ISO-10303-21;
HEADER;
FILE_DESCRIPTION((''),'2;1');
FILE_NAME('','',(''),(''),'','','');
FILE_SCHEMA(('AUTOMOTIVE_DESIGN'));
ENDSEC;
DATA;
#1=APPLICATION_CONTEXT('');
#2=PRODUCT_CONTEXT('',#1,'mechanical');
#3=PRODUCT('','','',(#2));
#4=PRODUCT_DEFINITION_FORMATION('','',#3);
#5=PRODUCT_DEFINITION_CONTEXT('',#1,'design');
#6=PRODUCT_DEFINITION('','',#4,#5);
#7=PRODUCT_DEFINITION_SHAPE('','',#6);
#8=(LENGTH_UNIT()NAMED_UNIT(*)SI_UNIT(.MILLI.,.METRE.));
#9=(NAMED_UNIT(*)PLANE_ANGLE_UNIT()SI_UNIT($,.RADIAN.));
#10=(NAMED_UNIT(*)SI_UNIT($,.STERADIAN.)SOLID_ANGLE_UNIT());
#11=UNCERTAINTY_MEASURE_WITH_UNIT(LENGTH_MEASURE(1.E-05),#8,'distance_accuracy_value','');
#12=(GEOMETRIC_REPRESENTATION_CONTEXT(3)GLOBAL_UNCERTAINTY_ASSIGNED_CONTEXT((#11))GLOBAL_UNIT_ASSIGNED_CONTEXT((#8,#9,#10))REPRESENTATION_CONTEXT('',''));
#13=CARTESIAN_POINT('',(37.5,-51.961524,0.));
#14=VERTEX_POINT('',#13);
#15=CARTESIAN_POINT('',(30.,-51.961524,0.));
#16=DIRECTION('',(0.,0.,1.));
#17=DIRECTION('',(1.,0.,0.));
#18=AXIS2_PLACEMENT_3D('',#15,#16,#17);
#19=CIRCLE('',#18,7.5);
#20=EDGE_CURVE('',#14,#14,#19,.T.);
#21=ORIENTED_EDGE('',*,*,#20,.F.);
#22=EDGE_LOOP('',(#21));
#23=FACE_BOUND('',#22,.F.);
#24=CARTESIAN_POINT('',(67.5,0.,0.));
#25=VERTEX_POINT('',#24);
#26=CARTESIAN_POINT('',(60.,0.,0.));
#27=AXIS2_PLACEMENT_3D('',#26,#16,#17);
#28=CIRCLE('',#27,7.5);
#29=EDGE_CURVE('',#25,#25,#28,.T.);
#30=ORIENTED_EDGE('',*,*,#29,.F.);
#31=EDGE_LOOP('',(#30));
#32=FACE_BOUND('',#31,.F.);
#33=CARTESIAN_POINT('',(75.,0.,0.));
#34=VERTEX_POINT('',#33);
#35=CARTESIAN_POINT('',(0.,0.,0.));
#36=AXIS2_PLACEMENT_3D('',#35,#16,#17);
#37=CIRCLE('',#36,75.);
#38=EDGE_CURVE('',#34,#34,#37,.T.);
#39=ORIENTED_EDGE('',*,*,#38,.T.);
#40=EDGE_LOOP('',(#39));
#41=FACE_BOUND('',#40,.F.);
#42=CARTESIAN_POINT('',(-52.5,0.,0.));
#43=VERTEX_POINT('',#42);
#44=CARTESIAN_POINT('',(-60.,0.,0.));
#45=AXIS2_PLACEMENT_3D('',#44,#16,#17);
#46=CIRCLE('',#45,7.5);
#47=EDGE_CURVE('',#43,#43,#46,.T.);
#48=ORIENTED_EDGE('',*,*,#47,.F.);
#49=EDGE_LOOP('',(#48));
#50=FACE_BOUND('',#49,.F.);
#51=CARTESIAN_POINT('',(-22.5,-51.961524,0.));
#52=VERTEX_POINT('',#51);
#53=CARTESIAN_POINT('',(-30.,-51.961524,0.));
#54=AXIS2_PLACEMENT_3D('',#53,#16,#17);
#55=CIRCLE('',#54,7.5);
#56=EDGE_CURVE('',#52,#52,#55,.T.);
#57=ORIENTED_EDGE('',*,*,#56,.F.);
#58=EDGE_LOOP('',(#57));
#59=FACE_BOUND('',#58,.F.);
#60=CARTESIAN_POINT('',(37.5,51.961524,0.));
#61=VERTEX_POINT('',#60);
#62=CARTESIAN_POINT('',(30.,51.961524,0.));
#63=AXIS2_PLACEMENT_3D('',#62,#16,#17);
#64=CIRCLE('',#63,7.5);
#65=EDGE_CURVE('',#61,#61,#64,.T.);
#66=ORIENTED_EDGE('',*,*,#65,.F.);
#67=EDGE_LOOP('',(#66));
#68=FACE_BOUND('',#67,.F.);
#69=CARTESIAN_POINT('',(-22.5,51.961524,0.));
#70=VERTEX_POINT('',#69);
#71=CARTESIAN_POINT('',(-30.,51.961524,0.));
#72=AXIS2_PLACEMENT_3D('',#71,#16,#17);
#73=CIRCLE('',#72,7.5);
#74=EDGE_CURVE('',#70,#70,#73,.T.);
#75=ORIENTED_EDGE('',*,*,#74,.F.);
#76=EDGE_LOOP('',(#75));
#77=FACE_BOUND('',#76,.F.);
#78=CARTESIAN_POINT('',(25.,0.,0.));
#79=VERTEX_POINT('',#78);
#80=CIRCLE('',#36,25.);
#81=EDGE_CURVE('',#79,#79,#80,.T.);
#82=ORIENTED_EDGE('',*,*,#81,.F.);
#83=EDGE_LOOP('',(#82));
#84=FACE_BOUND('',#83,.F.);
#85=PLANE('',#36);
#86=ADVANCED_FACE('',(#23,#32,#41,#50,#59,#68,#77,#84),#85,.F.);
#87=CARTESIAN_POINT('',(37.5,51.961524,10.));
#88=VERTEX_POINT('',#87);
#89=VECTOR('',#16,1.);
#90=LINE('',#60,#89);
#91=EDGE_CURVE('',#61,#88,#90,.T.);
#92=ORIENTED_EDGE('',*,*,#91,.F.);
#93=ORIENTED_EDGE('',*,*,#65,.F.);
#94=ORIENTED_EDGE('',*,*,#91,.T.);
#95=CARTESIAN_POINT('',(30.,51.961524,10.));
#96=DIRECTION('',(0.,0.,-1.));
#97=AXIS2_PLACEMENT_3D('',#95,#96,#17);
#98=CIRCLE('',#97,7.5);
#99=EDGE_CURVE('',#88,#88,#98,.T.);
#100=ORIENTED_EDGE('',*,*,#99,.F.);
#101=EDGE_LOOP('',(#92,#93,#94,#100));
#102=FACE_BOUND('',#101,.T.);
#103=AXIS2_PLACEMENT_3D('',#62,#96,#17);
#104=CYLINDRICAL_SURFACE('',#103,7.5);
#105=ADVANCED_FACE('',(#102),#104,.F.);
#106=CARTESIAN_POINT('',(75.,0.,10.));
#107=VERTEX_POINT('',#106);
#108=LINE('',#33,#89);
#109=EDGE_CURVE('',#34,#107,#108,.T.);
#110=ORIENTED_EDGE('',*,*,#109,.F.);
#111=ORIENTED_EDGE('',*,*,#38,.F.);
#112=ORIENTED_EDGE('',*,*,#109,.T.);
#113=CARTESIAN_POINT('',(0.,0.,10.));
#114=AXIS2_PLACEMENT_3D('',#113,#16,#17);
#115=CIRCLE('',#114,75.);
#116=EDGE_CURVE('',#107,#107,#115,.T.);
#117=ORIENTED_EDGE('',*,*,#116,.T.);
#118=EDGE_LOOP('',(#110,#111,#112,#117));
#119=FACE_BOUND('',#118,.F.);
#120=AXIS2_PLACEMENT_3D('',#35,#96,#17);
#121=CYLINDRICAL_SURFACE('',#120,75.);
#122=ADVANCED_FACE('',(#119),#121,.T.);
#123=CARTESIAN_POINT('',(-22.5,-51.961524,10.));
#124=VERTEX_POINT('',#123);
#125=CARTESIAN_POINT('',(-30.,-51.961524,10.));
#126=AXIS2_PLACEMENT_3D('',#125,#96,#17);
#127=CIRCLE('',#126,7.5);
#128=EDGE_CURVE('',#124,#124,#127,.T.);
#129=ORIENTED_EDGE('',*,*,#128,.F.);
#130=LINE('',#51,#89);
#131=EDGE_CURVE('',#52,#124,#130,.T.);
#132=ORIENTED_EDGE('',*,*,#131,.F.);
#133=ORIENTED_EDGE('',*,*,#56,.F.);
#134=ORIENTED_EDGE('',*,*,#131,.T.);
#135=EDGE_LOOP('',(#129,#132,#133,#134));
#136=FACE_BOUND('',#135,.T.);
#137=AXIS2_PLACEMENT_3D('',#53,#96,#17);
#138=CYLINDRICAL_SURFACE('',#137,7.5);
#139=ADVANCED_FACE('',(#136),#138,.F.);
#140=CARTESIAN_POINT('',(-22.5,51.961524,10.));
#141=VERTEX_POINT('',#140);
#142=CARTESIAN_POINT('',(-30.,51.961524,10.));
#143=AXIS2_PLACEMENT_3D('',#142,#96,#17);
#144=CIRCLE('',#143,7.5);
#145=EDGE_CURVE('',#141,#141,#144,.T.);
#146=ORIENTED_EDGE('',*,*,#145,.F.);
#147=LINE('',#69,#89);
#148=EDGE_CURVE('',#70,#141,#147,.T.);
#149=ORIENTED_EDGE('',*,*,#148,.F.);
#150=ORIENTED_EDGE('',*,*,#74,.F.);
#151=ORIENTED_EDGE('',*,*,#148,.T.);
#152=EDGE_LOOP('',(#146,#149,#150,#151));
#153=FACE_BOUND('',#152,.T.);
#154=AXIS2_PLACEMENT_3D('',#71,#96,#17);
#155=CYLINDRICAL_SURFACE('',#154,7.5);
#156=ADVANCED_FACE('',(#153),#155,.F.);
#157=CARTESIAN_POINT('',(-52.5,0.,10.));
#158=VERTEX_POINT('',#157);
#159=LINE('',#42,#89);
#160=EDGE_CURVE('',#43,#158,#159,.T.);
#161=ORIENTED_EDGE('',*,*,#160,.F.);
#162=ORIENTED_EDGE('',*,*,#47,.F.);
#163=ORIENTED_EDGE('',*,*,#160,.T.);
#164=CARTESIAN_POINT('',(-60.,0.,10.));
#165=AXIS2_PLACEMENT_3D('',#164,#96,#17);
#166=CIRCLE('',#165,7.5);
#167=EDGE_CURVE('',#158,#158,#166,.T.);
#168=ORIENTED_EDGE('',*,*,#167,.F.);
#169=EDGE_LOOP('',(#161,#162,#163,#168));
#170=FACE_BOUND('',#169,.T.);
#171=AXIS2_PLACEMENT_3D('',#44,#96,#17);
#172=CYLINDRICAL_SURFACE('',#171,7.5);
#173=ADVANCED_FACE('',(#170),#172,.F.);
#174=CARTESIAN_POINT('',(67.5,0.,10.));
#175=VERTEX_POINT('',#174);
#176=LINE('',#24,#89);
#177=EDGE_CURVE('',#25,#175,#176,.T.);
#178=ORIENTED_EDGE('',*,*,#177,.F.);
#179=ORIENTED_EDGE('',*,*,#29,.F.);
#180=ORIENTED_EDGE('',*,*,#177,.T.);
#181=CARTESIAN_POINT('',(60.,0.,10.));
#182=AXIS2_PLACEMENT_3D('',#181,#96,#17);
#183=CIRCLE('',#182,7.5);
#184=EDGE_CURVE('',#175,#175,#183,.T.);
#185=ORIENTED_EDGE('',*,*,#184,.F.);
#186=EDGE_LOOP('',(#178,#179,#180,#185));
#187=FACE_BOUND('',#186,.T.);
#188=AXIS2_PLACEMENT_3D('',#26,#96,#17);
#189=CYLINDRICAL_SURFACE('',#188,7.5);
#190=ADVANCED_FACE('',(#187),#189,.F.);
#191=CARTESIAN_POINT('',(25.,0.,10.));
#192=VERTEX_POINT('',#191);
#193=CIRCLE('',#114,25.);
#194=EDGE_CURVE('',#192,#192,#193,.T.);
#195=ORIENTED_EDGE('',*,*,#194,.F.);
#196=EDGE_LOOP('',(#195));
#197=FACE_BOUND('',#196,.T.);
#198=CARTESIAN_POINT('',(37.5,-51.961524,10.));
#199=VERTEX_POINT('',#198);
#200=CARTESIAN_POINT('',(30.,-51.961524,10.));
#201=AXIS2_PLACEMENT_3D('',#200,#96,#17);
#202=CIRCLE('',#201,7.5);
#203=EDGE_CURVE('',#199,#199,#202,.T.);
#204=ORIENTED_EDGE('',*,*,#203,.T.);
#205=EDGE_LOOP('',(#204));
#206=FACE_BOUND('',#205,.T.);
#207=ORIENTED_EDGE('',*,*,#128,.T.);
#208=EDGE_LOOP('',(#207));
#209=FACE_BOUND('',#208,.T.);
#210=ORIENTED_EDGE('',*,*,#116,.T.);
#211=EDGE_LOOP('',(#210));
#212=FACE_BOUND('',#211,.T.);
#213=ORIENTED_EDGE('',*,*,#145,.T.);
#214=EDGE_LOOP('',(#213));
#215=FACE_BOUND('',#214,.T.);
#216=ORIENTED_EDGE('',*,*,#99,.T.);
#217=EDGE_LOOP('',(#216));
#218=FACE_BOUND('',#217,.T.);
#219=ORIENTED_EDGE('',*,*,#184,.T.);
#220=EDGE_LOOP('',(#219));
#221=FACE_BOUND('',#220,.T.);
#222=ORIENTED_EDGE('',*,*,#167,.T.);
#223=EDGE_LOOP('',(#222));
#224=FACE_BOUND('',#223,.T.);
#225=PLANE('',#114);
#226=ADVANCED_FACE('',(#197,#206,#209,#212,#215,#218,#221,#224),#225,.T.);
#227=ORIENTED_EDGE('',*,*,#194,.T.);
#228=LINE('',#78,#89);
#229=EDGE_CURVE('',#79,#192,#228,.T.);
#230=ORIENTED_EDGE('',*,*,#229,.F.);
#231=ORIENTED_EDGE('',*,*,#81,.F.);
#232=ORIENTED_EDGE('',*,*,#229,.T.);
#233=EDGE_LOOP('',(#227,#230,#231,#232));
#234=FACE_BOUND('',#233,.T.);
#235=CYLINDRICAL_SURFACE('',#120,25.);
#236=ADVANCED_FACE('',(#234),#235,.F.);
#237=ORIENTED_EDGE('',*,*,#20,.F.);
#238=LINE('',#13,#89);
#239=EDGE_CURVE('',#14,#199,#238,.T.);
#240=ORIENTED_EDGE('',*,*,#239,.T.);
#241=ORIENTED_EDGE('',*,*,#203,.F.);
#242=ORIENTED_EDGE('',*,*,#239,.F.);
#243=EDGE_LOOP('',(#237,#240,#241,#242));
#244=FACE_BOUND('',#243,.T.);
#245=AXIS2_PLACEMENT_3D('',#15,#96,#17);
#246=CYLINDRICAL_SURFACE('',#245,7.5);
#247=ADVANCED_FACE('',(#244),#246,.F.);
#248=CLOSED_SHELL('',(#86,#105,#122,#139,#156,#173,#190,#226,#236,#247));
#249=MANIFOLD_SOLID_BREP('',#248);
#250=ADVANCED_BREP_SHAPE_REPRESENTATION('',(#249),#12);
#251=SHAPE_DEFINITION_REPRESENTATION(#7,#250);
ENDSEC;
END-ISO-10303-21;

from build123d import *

# Parameters (mm, degrees)
F0_R     = 75
F0_R_2   = 25
F1_DEPTH = 10
F2_R     = 7.5
F3_DEPTH = 25


with BuildPart() as f1:
    # F0 (on Top) → F1 (new body)
    with BuildSketch(Plane.XY):
        Circle(F0_R)
        Circle(F0_R_2, mode=Mode.SUBTRACT)
    extrude(amount=F1_DEPTH)

    # F2 (on Top) → F3 (cut)
    with BuildSketch(Plane.XY):
        with Locations((60, 0)):
            Circle(F2_R)
        with Locations((30, 51.961524)):
            Circle(F2_R)
        with Locations((-30, 51.961524)):
            Circle(F2_R)
        with Locations((-60, 0)):
            Circle(F2_R)
        with Locations((-30, -51.961524)):
            Circle(F2_R)
        with Locations((30, -51.961524)):
            Circle(F2_R)
    extrude(amount=F3_DEPTH, mode=Mode.SUBTRACT)


solid = f1.part
